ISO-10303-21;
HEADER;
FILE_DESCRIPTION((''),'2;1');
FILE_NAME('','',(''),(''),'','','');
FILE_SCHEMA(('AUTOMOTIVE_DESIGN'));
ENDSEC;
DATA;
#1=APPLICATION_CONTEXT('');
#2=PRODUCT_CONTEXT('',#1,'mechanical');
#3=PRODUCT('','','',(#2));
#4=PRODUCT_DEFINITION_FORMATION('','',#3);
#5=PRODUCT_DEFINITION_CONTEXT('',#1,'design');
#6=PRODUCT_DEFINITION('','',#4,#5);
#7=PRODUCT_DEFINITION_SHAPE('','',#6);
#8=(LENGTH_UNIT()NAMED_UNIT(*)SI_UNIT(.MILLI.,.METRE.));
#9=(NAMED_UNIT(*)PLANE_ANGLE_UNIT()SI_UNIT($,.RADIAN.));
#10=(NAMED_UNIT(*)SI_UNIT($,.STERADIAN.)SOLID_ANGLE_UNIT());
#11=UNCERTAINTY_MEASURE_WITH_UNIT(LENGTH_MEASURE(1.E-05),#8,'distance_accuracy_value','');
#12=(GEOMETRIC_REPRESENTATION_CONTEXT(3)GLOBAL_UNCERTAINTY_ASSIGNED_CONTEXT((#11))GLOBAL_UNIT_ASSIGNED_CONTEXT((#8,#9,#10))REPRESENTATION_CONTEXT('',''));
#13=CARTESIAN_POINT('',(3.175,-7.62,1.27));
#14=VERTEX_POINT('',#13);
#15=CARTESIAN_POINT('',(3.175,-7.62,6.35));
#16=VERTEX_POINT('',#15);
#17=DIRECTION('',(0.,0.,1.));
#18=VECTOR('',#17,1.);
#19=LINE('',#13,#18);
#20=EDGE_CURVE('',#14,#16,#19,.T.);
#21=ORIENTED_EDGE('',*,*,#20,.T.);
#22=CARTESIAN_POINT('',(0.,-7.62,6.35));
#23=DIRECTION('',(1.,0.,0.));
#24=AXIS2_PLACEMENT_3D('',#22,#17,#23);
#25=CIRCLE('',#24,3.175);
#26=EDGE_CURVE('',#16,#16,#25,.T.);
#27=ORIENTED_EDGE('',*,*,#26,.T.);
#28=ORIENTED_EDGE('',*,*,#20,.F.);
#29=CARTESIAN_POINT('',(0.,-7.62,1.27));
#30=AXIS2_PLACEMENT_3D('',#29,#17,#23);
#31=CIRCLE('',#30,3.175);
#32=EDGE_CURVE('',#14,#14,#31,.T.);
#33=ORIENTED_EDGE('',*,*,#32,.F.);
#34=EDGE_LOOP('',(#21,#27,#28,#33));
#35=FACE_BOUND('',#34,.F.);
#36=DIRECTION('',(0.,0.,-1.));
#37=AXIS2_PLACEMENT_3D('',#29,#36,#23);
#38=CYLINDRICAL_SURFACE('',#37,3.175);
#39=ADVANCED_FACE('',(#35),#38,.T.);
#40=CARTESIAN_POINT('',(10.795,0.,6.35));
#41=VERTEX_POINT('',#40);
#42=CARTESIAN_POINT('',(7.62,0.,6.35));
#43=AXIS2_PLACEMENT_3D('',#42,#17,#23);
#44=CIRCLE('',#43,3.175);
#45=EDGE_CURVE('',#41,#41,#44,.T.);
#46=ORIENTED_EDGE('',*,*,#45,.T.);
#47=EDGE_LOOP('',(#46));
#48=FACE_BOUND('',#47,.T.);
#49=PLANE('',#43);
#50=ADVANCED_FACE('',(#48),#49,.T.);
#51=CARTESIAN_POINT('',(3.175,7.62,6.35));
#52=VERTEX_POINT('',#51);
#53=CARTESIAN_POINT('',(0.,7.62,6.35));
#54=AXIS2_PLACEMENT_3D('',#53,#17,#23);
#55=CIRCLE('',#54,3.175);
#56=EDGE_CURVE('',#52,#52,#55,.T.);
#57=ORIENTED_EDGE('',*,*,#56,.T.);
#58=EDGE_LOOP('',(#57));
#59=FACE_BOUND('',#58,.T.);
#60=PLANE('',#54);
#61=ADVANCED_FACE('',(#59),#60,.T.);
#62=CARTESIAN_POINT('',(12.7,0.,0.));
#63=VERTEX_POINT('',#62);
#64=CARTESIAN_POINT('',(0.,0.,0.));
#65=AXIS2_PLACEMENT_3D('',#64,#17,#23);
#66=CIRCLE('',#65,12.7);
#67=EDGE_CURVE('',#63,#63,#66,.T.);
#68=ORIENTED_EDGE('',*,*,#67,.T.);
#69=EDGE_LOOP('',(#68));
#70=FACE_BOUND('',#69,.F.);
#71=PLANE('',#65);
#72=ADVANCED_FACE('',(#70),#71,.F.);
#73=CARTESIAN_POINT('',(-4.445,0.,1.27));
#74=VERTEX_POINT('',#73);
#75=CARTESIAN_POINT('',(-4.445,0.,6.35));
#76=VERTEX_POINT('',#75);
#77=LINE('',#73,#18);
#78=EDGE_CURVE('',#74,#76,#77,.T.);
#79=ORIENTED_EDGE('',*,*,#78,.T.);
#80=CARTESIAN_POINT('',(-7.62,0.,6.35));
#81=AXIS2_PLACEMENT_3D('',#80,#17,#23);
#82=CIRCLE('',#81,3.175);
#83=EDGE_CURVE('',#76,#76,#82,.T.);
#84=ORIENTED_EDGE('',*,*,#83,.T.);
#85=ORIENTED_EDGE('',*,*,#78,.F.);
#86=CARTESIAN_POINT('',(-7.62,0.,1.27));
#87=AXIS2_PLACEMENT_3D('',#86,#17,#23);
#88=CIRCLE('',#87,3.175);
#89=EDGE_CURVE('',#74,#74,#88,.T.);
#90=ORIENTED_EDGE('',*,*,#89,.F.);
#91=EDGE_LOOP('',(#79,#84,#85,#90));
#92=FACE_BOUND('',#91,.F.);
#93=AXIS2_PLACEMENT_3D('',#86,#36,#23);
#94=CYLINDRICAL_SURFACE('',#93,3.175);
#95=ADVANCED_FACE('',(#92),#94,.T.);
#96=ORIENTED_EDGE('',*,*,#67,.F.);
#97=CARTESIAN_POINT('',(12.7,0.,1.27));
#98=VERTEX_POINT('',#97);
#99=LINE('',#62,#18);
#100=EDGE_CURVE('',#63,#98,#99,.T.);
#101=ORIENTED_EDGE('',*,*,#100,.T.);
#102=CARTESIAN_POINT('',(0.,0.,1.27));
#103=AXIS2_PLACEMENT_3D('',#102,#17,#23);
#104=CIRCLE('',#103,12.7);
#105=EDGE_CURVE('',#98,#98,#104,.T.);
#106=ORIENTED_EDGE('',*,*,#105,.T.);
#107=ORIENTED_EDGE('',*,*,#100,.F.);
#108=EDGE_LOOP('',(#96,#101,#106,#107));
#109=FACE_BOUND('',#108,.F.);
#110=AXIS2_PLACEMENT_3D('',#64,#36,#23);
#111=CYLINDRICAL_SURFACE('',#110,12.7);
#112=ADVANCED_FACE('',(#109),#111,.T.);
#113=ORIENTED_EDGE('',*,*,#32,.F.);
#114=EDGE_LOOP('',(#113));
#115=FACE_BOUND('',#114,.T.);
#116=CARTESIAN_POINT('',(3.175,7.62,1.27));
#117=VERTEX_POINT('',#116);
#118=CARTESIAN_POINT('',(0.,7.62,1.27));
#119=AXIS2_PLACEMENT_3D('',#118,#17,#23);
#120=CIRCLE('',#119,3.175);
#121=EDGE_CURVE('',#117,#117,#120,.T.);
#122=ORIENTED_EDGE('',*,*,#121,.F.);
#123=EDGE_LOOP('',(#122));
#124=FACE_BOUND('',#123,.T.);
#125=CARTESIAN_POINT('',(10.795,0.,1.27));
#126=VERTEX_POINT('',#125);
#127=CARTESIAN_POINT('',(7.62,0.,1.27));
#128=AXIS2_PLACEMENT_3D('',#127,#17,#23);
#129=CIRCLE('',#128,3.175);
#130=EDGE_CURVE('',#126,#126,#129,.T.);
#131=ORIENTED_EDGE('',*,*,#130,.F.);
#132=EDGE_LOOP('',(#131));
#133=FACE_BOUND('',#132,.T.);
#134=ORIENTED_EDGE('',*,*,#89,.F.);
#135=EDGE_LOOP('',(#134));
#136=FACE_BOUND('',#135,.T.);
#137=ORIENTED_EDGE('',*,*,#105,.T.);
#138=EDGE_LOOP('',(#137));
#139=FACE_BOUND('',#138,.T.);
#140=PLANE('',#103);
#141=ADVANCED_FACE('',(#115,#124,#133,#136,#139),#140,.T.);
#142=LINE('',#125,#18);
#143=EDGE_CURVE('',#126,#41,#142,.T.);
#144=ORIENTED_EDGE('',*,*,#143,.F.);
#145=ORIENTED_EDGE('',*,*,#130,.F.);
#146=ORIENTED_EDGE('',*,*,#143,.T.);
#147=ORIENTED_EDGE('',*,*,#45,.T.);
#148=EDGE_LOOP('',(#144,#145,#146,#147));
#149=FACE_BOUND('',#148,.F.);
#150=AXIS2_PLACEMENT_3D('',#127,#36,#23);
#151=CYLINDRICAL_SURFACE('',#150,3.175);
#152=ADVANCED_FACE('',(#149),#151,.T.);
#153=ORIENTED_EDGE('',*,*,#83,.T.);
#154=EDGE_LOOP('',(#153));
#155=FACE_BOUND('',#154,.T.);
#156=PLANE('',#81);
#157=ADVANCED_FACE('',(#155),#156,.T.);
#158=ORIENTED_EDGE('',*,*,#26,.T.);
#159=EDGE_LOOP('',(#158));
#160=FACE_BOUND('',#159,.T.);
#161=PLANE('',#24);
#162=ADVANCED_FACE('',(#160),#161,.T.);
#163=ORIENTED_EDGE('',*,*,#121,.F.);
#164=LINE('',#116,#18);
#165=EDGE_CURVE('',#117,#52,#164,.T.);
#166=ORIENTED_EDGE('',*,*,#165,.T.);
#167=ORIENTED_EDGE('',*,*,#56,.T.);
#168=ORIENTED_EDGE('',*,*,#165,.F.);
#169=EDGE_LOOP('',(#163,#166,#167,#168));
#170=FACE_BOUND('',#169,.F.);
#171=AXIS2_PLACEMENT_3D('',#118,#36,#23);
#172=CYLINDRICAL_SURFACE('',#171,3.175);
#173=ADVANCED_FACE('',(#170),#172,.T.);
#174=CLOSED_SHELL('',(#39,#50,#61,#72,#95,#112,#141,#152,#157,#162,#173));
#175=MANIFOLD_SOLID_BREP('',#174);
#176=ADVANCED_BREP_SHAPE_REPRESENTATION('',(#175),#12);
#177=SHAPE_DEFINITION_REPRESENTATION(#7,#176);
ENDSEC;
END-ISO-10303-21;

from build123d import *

# Parameters (mm, degrees)
F0_R     = 12.7
F1_DEPTH = 1.27
F3_R     = 3.175
F4_DEPTH = 5.08


with BuildPart() as f1:
    # F0 (on Top) → F1 (new body)
    with BuildSketch(Plane.XY):
        Circle(F0_R)
    extrude(amount=F1_DEPTH)

    # F3 (on offset) → F4 (join)
    with BuildSketch(Plane.XY.offset(1.27)):
        with Locations((0, 7.62)):
            Circle(F3_R)
        with Locations((7.62, 0)):
            Circle(F3_R)
        with Locations((0, -7.62)):
            Circle(F3_R)
        with Locations((-7.62, 0)):
            Circle(F3_R)
    extrude(amount=F4_DEPTH)


solid = f1.part
